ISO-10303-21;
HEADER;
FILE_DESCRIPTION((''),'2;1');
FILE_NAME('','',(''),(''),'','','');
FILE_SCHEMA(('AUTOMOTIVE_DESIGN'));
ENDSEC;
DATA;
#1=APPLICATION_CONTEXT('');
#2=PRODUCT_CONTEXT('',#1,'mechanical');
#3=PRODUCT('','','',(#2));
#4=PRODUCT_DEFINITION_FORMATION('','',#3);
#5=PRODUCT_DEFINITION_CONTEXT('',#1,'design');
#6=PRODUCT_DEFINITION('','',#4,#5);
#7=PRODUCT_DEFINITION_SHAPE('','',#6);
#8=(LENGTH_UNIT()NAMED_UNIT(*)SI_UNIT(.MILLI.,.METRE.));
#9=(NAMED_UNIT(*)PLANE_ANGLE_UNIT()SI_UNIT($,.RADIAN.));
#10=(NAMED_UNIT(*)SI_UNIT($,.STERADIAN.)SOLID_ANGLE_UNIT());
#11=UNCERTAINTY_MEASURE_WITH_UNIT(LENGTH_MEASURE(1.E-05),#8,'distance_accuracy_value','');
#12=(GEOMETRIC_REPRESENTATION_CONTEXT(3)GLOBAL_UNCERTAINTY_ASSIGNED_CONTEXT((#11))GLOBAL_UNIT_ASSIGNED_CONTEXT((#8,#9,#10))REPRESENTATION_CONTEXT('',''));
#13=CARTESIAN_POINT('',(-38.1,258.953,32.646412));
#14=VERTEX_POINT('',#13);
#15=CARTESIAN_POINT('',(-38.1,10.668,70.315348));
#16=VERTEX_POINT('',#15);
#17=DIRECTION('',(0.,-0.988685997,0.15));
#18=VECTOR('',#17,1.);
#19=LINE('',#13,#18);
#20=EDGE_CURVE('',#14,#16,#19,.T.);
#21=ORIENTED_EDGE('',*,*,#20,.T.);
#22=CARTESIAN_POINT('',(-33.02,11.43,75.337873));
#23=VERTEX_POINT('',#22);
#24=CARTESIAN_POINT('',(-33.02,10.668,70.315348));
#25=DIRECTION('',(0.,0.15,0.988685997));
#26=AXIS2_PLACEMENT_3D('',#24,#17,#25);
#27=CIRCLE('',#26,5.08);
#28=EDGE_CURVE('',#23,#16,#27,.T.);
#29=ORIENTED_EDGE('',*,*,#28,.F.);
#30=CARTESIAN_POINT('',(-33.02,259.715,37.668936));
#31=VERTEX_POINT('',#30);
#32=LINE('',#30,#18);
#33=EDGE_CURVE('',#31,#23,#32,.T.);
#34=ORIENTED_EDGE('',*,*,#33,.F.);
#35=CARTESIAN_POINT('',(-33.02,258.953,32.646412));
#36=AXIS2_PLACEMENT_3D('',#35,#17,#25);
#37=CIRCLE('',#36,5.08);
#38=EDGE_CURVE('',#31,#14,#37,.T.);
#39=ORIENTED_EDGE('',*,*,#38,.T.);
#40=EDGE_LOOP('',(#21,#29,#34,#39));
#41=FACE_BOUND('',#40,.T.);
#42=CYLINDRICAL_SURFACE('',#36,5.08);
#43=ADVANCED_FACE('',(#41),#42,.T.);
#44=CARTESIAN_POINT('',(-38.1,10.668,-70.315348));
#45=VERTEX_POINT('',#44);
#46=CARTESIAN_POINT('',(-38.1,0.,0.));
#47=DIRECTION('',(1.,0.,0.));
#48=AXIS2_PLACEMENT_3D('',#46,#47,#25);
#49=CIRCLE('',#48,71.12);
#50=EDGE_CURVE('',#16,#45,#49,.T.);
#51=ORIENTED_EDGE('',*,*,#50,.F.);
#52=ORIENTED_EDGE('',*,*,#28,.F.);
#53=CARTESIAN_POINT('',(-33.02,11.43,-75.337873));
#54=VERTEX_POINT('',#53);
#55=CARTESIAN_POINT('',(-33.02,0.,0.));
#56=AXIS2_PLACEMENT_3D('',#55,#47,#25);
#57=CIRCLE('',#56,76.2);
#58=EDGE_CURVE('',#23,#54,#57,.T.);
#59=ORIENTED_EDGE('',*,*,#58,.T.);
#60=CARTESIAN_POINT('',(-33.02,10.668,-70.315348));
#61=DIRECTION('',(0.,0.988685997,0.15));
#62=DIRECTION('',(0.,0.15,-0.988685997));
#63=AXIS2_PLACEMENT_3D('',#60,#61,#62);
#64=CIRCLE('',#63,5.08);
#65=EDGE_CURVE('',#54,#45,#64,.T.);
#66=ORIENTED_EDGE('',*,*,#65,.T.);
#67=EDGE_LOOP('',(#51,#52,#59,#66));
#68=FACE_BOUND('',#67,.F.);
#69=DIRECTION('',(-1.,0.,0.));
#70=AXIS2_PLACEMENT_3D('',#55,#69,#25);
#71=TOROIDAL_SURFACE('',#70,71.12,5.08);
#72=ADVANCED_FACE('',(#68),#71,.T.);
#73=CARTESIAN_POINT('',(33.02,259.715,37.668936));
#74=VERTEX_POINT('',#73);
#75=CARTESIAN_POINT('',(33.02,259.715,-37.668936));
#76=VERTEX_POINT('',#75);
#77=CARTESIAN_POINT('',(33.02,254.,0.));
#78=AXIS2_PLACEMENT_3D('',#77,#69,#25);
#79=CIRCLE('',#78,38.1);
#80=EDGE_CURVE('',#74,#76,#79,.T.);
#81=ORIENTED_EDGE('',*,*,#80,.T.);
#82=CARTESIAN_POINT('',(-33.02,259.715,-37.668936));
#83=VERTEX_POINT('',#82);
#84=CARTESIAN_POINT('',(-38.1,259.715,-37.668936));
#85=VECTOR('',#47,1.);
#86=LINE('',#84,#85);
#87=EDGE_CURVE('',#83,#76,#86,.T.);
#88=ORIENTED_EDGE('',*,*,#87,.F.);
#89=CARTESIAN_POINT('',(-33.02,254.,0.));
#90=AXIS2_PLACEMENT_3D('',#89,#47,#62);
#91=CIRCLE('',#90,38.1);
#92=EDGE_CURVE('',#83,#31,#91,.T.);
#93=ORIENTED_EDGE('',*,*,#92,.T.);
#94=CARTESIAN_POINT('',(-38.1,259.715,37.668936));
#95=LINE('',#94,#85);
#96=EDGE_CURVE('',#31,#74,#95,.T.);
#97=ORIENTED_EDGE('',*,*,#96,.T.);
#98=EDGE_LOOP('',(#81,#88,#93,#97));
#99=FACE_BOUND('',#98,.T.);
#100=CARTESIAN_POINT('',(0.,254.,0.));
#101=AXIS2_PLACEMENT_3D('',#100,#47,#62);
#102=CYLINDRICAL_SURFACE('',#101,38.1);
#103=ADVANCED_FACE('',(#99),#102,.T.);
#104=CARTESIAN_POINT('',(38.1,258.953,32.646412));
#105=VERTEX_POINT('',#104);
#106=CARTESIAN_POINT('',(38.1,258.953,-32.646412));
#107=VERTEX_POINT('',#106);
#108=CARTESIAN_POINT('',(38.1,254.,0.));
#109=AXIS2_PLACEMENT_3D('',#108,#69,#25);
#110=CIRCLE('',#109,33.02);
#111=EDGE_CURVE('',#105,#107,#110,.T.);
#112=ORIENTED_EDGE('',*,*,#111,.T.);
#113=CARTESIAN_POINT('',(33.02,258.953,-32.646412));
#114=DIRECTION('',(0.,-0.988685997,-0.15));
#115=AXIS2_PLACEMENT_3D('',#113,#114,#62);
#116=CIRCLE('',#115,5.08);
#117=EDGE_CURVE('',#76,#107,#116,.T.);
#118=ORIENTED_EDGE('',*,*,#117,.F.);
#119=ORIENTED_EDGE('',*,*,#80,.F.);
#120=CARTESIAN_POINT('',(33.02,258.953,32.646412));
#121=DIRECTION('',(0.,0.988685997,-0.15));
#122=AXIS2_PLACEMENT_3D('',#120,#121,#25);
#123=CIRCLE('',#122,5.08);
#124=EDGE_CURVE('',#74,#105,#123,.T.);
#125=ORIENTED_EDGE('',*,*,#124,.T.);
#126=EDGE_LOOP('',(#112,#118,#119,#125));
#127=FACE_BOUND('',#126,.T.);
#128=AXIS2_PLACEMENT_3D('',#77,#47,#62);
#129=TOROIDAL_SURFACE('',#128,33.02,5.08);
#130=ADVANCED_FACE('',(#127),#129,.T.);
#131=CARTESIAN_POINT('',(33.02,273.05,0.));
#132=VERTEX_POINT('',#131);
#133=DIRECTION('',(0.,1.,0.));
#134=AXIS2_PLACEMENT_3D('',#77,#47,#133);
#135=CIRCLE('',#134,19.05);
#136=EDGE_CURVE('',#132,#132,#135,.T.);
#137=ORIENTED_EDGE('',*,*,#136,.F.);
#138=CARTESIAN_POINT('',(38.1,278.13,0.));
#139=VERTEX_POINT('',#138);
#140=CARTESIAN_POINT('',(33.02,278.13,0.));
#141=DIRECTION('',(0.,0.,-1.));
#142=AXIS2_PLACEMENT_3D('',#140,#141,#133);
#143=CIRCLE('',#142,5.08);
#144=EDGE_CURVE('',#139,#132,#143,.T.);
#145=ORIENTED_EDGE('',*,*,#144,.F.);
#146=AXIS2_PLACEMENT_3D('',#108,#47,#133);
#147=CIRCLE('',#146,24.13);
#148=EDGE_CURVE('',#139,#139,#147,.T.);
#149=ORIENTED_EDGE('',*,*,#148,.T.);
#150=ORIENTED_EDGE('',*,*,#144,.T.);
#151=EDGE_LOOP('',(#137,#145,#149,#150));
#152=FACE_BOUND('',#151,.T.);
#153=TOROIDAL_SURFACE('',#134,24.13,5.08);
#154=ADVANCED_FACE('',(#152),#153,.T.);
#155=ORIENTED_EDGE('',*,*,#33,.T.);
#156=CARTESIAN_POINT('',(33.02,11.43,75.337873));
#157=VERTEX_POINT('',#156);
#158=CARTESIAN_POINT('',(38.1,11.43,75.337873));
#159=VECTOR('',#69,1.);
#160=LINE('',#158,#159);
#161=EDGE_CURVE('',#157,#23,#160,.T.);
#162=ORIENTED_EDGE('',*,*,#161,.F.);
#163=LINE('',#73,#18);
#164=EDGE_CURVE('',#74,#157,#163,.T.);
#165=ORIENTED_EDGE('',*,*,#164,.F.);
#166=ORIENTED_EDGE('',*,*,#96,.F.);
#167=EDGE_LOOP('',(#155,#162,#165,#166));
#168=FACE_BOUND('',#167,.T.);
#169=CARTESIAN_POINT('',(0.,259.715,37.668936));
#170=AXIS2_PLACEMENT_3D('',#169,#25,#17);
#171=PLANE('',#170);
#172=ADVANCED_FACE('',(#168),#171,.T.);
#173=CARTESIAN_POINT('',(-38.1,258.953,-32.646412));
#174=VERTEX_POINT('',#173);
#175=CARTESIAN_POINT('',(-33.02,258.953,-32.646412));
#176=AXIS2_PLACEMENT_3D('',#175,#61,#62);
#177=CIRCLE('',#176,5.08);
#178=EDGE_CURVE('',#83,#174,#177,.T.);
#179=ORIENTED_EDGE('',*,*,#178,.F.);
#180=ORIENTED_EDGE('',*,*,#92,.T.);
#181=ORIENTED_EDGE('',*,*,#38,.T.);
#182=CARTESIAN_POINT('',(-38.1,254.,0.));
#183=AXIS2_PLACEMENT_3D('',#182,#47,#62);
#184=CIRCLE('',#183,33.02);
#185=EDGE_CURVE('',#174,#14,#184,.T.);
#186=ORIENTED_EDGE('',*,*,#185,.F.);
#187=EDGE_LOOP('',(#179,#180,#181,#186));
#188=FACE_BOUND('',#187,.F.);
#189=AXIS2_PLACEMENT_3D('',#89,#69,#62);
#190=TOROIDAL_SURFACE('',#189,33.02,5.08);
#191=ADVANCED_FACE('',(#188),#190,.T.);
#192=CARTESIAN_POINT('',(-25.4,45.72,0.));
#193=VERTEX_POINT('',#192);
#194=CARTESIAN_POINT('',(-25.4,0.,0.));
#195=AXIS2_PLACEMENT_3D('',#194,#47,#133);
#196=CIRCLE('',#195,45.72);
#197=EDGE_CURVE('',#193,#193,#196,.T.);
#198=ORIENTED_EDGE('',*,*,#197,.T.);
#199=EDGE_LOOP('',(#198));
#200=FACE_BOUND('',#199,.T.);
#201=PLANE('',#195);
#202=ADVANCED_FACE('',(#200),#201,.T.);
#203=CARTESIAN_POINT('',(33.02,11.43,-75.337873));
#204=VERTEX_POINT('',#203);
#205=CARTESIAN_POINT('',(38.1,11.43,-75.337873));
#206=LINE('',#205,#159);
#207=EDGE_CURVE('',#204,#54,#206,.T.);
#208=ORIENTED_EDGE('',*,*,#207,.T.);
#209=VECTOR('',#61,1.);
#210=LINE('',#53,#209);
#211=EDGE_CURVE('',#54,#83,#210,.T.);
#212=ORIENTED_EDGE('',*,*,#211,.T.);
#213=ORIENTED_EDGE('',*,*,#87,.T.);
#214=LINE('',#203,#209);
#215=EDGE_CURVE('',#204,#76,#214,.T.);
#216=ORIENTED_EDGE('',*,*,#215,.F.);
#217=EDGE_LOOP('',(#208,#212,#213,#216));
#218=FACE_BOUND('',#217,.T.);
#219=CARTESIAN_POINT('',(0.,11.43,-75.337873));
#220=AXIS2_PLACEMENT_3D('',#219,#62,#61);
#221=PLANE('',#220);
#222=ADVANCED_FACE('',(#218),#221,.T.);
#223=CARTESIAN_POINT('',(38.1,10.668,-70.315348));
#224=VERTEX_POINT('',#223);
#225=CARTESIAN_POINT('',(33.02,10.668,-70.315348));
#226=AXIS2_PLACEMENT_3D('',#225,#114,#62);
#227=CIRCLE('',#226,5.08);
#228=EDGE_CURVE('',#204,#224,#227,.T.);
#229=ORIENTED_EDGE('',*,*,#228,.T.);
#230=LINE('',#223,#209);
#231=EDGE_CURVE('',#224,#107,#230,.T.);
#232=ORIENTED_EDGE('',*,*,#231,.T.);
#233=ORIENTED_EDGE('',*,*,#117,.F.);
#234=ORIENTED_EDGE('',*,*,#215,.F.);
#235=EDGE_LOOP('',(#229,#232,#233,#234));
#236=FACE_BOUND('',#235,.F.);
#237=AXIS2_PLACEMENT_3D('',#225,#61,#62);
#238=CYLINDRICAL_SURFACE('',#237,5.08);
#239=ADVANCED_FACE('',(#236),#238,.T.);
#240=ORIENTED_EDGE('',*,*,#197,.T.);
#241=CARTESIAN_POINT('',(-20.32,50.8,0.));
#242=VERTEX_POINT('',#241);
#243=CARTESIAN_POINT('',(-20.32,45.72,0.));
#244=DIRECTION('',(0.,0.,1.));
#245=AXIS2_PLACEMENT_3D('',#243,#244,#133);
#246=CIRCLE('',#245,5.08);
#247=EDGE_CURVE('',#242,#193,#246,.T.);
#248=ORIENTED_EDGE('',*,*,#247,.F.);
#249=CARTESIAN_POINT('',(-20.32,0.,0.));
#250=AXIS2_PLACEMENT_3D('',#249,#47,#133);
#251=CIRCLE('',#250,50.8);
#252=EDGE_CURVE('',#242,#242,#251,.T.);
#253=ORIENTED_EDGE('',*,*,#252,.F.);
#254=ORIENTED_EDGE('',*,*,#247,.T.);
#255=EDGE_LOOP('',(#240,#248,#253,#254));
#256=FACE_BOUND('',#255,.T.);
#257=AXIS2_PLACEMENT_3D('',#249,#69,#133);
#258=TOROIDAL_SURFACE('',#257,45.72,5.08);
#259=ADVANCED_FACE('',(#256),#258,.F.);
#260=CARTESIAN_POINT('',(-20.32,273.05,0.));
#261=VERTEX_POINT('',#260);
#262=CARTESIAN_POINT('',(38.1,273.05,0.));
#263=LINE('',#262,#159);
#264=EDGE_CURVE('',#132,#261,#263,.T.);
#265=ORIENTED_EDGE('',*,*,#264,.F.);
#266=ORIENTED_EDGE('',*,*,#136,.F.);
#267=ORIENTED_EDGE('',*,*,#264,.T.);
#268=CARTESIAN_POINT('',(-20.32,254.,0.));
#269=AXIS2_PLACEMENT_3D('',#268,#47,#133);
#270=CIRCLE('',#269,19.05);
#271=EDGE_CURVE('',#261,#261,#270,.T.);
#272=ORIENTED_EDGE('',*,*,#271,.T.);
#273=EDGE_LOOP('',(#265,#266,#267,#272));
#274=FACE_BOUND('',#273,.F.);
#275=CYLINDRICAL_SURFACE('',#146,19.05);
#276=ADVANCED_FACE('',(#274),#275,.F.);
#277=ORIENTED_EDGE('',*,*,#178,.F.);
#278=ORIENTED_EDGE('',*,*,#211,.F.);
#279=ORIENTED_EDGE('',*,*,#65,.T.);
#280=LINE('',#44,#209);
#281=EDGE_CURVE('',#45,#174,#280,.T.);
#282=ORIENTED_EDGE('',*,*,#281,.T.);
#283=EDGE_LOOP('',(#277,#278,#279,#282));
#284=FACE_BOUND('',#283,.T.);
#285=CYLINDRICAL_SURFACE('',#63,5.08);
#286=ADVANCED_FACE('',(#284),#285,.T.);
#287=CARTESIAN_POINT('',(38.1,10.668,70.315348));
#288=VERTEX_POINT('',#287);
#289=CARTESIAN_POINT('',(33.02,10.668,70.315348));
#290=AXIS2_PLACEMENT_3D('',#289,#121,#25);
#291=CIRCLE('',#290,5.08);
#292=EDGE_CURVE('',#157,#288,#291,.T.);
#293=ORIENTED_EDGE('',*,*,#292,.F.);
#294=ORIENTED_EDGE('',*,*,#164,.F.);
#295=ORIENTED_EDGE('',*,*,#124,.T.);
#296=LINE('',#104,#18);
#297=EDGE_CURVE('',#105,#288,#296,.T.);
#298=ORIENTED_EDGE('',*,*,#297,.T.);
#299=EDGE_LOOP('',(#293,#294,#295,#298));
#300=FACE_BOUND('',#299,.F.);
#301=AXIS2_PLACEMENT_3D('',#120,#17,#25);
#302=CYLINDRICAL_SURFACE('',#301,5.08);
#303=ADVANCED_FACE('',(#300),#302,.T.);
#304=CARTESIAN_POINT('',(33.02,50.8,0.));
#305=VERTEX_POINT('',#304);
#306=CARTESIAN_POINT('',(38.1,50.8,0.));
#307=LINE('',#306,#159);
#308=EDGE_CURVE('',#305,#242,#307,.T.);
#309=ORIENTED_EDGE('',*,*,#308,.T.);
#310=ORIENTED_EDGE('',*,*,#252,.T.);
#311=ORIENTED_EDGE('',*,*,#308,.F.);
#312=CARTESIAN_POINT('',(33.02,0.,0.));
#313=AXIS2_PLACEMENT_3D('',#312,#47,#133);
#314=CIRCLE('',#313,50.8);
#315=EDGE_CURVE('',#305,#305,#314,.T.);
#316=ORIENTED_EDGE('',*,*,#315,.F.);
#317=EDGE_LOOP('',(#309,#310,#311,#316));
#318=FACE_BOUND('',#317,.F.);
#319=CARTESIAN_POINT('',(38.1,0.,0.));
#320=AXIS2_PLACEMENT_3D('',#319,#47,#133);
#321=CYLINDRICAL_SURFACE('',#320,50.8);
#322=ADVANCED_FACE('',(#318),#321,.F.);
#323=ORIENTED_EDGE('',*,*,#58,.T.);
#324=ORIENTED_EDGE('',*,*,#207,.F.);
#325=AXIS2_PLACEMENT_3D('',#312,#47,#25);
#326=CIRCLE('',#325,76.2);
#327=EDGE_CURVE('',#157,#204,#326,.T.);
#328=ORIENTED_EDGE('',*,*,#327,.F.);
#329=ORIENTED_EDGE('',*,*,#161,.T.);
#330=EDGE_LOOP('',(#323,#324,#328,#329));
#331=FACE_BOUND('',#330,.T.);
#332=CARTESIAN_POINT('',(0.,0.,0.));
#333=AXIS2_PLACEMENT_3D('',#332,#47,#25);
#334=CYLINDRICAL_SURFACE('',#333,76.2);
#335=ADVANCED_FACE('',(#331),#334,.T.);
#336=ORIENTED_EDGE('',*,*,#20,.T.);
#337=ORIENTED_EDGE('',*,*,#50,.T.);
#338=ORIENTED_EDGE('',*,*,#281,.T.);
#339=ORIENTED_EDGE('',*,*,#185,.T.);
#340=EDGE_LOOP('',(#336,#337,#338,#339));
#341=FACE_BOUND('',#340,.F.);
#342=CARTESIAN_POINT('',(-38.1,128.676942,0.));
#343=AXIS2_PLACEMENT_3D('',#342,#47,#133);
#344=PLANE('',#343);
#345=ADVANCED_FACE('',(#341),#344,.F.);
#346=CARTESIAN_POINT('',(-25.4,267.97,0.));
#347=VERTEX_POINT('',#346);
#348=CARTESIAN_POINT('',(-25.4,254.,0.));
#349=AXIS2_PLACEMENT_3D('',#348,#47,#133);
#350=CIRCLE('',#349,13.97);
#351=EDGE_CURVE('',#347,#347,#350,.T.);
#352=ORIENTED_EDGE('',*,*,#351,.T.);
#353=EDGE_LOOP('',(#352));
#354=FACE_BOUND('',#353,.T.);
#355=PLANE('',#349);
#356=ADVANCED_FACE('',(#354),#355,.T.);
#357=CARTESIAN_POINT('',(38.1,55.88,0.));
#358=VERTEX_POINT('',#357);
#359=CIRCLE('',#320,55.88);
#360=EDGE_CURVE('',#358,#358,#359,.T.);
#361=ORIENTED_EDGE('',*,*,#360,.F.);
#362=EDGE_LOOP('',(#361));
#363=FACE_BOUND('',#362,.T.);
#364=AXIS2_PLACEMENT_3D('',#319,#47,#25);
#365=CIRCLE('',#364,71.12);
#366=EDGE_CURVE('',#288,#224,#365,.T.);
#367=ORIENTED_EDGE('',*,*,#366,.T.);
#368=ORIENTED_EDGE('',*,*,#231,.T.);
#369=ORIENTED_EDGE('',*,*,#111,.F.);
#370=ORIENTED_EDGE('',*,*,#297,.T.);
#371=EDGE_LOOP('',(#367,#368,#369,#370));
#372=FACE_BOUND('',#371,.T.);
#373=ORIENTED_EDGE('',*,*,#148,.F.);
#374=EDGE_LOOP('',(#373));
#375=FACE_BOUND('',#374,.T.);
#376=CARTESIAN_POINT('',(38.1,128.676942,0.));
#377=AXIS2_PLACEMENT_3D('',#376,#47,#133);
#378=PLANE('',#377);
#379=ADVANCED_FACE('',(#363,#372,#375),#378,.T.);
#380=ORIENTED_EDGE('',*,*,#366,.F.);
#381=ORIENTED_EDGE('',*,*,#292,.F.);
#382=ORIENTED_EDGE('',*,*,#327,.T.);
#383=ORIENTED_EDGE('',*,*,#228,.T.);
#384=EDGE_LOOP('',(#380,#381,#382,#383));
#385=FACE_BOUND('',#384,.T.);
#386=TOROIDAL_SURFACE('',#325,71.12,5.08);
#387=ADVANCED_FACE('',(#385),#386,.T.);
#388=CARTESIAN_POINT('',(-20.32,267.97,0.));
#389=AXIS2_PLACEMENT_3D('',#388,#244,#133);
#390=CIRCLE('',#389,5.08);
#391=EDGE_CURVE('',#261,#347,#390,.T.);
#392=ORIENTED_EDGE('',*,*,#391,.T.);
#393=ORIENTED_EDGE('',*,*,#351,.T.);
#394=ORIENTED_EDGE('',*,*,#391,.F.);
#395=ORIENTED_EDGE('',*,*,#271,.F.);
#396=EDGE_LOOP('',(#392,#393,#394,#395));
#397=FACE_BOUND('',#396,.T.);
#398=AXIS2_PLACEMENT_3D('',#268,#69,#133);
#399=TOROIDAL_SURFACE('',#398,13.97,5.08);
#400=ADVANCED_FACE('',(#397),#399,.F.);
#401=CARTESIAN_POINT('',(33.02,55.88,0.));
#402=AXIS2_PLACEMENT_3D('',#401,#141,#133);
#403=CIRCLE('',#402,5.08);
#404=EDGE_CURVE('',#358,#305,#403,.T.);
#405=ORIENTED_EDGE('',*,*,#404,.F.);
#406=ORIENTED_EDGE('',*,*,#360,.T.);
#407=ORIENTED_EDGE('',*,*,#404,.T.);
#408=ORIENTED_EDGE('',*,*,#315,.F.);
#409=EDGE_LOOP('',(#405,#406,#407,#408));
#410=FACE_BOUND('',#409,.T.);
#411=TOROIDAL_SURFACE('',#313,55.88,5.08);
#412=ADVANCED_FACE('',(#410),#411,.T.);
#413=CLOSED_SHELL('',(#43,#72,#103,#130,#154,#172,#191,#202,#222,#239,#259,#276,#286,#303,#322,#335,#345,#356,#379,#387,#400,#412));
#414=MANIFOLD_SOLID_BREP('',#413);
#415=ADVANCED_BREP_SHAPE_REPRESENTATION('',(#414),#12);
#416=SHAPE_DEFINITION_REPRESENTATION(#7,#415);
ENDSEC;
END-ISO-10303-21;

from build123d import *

# Parameters (mm, degrees)
F4_DEPTH = 38.1
F0_R     = 50.8
F0_R_2   = 19.05
F1_DEPTH = 63.5
F5_R     = 5.08
F2_R     = 5.08


with BuildPart() as f4:
    # F3 (on Right) → F4 (new body, symmetric)
    with BuildSketch(Plane.YZ):
        with BuildLine():
            ThreePointArc((11.43, 75.3378729458), (57.7815108837, 49.6763223276), (76.2, 0))
            ThreePointArc((76.2, 0), (57.7815108837, -49.6763223276), (11.43, -75.3378729458))
            Line((11.43, -75.3378729458), (259.715, -37.6689364729))
            ThreePointArc((259.715, -37.6689364729), (215.9, 0), (259.715, 37.6689364729))
            Line((259.715, 37.6689364729), (11.43, 75.3378729458))
        make_face()
        with BuildLine():
            ThreePointArc((11.43, -75.3378729458), (57.7815108837, -49.6763223276), (76.2, 0))
            ThreePointArc((76.2, 0), (57.7815108837, 49.6763223276), (11.43, 75.3378729458))
            ThreePointArc((11.43, 75.3378729458), (-76.2, 0), (11.43, -75.3378729458))
        make_face()
        with BuildLine():
            ThreePointArc((292.1, 0), (282.8907554418, 24.8381611638), (259.715, 37.6689364729))
            ThreePointArc((259.715, 37.6689364729), (215.9, 0), (259.715, -37.6689364729))
            ThreePointArc((259.715, -37.6689364729), (282.8907554418, -24.8381611638), (292.1, 0))
        make_face()
    extrude(amount=F4_DEPTH, both=True)

    # F0 (on face) → F1 (cut)
    with BuildSketch(Plane.YZ.offset(38.1)):
        Circle(F0_R)
        with Locations((254, 0)):
            Circle(F0_R_2)
    extrude(amount=-F1_DEPTH, mode=Mode.SUBTRACT)

    # F5
    f5_edges = [f4.edges().sort_by_distance(p)[0] for p in [
        (38.1, 135.5725, -56.503405),
        (38.1, -76.2, 0),
        (38.1, 292.1, 0),
        (38.1, 135.5725, 56.503405),
        (38.1, -50.8, 0),
        (38.1, 234.95, 0),
    ]]
    fillet(f5_edges, radius=F5_R)

    # F2
    f2_edges = [f4.edges().sort_by_distance(p)[0] for p in [
        (3.81, 50.8, 0),
        (33.02, -50.8, 0),
        (-25.4, -50.8, 0),
        (-38.1, 135.5725, -56.503405),
        (-38.1, 292.1, 0),
        (-38.1, 135.5725, 56.503405),
        (-38.1, -76.2, 0),
        (33.02, 234.95, 0),
        (-25.4, 234.95, 0),
    ]]
    fillet(f2_edges, radius=F2_R)


solid = f4.part
